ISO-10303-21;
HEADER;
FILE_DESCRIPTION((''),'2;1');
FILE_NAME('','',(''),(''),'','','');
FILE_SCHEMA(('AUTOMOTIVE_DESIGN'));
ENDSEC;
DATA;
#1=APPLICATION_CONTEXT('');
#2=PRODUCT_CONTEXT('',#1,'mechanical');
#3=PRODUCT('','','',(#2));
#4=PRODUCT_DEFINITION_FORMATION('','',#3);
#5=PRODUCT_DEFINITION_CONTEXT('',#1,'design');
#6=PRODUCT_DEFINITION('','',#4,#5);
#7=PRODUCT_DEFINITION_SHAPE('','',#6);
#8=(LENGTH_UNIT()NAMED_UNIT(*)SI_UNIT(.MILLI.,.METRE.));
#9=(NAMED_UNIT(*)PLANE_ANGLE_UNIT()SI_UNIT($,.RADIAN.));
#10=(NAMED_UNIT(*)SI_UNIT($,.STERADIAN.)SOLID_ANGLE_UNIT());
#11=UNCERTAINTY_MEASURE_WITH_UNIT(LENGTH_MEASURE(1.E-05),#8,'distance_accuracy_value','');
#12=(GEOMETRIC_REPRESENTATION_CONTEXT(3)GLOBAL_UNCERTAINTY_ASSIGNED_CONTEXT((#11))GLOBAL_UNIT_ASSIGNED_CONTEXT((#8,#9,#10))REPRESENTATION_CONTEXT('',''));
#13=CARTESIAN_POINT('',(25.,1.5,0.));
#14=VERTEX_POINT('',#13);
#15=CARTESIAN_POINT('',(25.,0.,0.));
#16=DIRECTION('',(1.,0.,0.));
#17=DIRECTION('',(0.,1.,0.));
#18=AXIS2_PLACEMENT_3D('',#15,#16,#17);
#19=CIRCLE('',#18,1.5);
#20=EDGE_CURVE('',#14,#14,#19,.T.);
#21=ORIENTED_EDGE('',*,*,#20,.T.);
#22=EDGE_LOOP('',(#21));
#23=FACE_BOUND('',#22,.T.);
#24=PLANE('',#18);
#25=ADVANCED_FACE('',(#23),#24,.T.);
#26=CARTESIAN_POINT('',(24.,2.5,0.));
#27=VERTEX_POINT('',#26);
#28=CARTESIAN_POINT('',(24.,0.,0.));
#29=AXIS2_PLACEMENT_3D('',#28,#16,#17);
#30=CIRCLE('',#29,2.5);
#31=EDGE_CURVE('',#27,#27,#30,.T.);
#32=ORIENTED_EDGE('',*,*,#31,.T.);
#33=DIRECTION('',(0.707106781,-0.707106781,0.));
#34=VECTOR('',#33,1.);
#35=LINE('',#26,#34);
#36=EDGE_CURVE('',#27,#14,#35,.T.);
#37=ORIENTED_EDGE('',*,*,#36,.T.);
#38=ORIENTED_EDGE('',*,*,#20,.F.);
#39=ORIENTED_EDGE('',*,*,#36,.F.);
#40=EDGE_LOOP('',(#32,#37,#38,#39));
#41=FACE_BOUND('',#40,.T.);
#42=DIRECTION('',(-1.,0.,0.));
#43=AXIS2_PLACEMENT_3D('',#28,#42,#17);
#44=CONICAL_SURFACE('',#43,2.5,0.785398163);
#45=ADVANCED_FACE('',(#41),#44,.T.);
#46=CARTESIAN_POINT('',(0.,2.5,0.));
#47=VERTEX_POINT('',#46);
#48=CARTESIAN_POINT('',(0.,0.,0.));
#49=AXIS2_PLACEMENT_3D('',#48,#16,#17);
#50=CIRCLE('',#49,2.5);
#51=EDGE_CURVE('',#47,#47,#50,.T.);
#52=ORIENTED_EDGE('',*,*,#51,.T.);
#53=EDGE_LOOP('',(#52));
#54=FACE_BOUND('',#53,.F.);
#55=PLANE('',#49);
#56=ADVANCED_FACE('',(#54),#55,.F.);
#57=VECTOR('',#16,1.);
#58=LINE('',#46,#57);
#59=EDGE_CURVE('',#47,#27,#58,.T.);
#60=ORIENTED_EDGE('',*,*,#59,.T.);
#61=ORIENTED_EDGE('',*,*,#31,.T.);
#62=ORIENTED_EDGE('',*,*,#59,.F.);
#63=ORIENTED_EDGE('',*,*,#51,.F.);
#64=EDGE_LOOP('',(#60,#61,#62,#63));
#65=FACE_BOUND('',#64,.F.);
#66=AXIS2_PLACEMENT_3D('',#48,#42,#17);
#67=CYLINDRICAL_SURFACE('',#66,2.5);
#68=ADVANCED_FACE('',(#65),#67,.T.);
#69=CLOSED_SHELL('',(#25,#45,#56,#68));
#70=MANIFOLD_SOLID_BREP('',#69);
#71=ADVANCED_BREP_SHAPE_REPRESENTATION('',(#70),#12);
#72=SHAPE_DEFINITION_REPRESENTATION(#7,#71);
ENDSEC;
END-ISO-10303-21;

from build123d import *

# Parameters (mm, degrees)
F0_R     = 2.5
F1_DEPTH = 25
F2_SIZE  = 1


with BuildPart() as f1:
    # F0 (on Right) → F1 (new body)
    with BuildSketch(Plane.YZ):
        Circle(F0_R)
    extrude(amount=F1_DEPTH)

    # F2
    f2_edges = [f1.edges().sort_by_distance(p)[0] for p in [
        (25, -2.5, 0),
    ]]
    chamfer(f2_edges, length=F2_SIZE)


solid = f1.part
